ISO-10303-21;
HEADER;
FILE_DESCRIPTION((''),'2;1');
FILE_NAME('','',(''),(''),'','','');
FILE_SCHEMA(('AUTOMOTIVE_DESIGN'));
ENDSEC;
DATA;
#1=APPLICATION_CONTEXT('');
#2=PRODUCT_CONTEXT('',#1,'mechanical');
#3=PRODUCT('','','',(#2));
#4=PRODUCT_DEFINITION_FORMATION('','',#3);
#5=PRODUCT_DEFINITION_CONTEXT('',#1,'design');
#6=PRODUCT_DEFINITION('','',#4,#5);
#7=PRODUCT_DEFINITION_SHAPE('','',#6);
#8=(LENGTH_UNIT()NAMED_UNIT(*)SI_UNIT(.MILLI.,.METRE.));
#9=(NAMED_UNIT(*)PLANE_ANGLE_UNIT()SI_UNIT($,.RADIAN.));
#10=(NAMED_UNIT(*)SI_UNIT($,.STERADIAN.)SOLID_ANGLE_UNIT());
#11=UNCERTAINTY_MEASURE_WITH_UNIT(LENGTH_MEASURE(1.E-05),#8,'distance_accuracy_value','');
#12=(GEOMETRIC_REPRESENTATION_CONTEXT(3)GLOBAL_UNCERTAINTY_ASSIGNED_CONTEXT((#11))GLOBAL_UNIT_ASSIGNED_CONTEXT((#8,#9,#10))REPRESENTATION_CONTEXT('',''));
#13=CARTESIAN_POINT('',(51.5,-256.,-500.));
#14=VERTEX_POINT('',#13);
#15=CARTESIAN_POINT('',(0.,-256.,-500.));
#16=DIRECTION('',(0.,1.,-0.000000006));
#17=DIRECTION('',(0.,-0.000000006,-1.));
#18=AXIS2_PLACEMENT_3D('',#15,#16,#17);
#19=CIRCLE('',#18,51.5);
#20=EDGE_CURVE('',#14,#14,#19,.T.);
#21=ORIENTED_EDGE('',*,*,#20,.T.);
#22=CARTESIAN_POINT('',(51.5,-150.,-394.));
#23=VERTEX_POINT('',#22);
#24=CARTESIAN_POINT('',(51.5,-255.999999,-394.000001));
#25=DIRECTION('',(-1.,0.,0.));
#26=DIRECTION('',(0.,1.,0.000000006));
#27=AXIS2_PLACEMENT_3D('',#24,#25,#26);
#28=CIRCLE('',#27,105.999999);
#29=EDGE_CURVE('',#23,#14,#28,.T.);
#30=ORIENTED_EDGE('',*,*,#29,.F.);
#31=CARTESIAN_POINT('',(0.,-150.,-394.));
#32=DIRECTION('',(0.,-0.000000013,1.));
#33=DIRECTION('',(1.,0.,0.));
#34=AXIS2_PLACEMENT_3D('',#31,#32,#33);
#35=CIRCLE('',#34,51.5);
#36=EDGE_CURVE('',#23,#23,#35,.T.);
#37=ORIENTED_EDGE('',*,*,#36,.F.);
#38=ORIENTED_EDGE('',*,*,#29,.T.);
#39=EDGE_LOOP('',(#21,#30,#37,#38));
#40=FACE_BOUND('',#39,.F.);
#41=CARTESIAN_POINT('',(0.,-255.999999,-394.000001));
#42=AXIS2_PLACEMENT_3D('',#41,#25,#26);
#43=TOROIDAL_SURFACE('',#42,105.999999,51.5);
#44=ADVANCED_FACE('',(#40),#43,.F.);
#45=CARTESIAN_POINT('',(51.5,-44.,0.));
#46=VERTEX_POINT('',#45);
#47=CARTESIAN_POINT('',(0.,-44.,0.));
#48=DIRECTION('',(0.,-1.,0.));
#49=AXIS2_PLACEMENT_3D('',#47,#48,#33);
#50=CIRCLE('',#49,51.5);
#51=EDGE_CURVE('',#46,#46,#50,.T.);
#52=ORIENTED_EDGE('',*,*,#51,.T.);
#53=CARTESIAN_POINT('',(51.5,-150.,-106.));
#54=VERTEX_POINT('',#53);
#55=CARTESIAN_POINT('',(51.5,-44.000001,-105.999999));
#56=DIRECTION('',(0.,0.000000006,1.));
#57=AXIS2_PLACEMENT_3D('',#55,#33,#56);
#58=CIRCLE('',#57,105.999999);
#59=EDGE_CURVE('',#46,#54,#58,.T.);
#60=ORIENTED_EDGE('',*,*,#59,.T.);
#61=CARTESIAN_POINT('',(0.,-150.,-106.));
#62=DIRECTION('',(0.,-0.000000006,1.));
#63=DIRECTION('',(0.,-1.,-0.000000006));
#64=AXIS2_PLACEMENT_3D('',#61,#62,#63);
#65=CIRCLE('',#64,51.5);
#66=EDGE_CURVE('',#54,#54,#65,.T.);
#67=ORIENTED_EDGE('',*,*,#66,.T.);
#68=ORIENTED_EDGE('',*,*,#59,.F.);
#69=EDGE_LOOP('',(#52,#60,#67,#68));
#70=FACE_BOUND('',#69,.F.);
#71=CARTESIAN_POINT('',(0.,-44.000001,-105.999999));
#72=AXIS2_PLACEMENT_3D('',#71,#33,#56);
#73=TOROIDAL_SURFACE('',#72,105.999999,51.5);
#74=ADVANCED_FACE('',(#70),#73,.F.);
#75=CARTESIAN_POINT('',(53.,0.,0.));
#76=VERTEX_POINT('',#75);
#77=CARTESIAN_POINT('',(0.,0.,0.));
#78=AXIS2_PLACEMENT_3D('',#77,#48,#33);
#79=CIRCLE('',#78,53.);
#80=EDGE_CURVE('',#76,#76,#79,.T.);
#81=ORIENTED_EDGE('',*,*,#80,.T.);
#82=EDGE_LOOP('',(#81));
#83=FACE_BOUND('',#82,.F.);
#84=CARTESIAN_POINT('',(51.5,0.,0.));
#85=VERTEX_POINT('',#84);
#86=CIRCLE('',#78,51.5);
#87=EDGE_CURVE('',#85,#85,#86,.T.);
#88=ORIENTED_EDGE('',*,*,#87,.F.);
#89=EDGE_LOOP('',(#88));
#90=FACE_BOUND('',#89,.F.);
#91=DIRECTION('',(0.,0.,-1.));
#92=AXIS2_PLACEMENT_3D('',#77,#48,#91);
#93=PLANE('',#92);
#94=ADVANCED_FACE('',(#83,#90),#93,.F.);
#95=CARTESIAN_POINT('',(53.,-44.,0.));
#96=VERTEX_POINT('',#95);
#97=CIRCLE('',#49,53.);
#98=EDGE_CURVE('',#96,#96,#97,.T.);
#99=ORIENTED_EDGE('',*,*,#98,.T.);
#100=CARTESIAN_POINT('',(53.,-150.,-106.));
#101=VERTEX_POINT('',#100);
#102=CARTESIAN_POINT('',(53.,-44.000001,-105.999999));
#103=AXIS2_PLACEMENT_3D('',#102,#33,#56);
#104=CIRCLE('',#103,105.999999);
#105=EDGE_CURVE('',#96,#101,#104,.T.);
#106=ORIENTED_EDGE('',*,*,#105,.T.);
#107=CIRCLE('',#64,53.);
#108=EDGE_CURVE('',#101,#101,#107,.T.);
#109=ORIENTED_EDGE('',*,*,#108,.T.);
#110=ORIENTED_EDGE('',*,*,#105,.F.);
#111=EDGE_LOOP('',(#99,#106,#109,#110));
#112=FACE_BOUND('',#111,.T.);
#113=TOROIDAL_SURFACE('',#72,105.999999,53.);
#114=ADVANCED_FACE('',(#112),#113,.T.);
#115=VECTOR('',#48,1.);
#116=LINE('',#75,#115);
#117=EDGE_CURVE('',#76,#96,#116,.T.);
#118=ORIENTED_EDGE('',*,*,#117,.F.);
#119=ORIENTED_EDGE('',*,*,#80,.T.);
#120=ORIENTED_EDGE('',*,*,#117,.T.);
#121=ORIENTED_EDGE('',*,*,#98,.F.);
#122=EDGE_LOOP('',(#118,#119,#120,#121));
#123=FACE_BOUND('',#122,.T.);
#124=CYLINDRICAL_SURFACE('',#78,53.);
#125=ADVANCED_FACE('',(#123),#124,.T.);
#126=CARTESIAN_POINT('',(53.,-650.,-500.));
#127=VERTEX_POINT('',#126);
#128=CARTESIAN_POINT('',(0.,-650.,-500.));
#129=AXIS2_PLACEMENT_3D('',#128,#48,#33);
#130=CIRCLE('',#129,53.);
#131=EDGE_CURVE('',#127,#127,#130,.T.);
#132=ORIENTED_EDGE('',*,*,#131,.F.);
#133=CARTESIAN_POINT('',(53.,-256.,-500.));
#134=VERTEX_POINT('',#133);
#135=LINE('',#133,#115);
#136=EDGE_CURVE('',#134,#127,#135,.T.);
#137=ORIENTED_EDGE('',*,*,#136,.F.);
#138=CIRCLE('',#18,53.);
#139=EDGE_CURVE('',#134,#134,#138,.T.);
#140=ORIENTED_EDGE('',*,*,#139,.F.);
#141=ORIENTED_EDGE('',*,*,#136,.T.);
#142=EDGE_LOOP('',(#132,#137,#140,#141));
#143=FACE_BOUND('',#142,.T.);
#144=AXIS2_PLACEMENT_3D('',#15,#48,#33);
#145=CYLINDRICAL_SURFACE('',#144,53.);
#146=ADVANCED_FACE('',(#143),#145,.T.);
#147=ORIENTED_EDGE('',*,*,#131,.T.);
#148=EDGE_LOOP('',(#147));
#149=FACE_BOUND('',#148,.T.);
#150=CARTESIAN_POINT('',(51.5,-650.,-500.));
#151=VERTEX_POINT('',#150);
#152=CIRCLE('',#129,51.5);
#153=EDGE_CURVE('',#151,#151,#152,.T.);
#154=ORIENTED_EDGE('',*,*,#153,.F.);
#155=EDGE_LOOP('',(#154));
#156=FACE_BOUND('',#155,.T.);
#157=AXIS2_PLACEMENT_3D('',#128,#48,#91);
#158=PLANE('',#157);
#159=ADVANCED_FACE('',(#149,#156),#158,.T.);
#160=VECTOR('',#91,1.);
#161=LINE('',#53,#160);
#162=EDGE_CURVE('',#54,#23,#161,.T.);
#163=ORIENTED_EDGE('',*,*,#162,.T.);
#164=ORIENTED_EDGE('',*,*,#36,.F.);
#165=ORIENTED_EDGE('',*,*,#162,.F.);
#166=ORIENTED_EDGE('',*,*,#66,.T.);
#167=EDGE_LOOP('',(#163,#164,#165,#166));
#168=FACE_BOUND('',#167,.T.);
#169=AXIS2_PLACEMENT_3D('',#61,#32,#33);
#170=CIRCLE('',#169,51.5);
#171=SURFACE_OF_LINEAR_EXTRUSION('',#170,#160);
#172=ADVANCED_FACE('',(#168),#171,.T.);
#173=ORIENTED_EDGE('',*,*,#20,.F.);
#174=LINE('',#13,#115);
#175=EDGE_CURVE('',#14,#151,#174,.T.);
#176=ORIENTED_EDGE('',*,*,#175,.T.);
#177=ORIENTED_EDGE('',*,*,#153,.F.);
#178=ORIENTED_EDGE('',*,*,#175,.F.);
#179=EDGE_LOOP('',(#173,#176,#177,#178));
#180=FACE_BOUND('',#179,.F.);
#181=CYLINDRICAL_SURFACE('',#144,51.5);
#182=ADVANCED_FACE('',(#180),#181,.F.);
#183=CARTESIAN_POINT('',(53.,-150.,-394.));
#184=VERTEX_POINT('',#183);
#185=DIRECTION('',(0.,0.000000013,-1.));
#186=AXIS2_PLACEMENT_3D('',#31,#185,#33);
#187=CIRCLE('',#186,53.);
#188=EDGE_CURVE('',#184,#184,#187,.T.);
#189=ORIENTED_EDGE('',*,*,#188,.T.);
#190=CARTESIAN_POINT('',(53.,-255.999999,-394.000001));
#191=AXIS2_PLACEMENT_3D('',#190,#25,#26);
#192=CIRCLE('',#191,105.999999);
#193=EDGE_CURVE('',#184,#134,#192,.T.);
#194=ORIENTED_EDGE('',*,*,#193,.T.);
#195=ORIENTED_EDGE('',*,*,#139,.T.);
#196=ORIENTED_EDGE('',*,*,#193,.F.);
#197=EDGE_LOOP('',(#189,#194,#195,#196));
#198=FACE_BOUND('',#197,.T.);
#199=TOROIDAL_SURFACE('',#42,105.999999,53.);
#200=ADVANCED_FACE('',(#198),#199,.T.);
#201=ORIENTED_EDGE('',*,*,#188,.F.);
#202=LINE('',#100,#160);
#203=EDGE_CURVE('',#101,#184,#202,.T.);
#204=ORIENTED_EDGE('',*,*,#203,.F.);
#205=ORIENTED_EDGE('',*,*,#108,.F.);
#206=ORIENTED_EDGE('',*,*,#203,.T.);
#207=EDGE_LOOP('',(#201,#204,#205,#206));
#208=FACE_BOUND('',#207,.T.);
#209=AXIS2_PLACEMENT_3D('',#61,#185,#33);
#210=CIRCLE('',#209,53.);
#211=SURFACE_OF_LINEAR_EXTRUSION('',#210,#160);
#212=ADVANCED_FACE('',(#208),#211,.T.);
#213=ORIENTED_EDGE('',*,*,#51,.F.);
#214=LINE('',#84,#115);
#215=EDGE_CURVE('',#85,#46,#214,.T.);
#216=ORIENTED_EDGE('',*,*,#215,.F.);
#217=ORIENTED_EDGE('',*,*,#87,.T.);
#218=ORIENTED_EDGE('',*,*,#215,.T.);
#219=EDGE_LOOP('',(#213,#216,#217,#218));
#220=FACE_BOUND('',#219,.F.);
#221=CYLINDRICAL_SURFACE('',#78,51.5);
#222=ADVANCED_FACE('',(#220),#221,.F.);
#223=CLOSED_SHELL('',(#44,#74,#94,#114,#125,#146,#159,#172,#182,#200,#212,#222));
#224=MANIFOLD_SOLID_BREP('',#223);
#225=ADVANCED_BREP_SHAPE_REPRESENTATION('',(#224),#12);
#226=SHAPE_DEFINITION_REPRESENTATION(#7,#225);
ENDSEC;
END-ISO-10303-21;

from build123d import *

# Parameters (mm, degrees)
F0_R   = 53
F0_R_2 = 51.5


with BuildPart() as f2:
    # F2: sweep along a path in F1
    with BuildLine(Plane.YZ) as f2_path:
        Line((0, 0), (-44, 0))
        ThreePointArc((-44, 0), (-118.953319, -31.046681), (-150, -106))
        Line((-150, -106), (-150, -394))
        ThreePointArc((-150, -394), (-181.046681, -468.953319), (-256, -500))
        Line((-256, -500), (-650, -500))
    # F0 (on Front) → F2 (sweep)
    with BuildSketch(Plane.XZ):
        Circle(F0_R)
        Circle(F0_R_2, mode=Mode.SUBTRACT)
    sweep(path=f2_path.line)


solid = f2.part
